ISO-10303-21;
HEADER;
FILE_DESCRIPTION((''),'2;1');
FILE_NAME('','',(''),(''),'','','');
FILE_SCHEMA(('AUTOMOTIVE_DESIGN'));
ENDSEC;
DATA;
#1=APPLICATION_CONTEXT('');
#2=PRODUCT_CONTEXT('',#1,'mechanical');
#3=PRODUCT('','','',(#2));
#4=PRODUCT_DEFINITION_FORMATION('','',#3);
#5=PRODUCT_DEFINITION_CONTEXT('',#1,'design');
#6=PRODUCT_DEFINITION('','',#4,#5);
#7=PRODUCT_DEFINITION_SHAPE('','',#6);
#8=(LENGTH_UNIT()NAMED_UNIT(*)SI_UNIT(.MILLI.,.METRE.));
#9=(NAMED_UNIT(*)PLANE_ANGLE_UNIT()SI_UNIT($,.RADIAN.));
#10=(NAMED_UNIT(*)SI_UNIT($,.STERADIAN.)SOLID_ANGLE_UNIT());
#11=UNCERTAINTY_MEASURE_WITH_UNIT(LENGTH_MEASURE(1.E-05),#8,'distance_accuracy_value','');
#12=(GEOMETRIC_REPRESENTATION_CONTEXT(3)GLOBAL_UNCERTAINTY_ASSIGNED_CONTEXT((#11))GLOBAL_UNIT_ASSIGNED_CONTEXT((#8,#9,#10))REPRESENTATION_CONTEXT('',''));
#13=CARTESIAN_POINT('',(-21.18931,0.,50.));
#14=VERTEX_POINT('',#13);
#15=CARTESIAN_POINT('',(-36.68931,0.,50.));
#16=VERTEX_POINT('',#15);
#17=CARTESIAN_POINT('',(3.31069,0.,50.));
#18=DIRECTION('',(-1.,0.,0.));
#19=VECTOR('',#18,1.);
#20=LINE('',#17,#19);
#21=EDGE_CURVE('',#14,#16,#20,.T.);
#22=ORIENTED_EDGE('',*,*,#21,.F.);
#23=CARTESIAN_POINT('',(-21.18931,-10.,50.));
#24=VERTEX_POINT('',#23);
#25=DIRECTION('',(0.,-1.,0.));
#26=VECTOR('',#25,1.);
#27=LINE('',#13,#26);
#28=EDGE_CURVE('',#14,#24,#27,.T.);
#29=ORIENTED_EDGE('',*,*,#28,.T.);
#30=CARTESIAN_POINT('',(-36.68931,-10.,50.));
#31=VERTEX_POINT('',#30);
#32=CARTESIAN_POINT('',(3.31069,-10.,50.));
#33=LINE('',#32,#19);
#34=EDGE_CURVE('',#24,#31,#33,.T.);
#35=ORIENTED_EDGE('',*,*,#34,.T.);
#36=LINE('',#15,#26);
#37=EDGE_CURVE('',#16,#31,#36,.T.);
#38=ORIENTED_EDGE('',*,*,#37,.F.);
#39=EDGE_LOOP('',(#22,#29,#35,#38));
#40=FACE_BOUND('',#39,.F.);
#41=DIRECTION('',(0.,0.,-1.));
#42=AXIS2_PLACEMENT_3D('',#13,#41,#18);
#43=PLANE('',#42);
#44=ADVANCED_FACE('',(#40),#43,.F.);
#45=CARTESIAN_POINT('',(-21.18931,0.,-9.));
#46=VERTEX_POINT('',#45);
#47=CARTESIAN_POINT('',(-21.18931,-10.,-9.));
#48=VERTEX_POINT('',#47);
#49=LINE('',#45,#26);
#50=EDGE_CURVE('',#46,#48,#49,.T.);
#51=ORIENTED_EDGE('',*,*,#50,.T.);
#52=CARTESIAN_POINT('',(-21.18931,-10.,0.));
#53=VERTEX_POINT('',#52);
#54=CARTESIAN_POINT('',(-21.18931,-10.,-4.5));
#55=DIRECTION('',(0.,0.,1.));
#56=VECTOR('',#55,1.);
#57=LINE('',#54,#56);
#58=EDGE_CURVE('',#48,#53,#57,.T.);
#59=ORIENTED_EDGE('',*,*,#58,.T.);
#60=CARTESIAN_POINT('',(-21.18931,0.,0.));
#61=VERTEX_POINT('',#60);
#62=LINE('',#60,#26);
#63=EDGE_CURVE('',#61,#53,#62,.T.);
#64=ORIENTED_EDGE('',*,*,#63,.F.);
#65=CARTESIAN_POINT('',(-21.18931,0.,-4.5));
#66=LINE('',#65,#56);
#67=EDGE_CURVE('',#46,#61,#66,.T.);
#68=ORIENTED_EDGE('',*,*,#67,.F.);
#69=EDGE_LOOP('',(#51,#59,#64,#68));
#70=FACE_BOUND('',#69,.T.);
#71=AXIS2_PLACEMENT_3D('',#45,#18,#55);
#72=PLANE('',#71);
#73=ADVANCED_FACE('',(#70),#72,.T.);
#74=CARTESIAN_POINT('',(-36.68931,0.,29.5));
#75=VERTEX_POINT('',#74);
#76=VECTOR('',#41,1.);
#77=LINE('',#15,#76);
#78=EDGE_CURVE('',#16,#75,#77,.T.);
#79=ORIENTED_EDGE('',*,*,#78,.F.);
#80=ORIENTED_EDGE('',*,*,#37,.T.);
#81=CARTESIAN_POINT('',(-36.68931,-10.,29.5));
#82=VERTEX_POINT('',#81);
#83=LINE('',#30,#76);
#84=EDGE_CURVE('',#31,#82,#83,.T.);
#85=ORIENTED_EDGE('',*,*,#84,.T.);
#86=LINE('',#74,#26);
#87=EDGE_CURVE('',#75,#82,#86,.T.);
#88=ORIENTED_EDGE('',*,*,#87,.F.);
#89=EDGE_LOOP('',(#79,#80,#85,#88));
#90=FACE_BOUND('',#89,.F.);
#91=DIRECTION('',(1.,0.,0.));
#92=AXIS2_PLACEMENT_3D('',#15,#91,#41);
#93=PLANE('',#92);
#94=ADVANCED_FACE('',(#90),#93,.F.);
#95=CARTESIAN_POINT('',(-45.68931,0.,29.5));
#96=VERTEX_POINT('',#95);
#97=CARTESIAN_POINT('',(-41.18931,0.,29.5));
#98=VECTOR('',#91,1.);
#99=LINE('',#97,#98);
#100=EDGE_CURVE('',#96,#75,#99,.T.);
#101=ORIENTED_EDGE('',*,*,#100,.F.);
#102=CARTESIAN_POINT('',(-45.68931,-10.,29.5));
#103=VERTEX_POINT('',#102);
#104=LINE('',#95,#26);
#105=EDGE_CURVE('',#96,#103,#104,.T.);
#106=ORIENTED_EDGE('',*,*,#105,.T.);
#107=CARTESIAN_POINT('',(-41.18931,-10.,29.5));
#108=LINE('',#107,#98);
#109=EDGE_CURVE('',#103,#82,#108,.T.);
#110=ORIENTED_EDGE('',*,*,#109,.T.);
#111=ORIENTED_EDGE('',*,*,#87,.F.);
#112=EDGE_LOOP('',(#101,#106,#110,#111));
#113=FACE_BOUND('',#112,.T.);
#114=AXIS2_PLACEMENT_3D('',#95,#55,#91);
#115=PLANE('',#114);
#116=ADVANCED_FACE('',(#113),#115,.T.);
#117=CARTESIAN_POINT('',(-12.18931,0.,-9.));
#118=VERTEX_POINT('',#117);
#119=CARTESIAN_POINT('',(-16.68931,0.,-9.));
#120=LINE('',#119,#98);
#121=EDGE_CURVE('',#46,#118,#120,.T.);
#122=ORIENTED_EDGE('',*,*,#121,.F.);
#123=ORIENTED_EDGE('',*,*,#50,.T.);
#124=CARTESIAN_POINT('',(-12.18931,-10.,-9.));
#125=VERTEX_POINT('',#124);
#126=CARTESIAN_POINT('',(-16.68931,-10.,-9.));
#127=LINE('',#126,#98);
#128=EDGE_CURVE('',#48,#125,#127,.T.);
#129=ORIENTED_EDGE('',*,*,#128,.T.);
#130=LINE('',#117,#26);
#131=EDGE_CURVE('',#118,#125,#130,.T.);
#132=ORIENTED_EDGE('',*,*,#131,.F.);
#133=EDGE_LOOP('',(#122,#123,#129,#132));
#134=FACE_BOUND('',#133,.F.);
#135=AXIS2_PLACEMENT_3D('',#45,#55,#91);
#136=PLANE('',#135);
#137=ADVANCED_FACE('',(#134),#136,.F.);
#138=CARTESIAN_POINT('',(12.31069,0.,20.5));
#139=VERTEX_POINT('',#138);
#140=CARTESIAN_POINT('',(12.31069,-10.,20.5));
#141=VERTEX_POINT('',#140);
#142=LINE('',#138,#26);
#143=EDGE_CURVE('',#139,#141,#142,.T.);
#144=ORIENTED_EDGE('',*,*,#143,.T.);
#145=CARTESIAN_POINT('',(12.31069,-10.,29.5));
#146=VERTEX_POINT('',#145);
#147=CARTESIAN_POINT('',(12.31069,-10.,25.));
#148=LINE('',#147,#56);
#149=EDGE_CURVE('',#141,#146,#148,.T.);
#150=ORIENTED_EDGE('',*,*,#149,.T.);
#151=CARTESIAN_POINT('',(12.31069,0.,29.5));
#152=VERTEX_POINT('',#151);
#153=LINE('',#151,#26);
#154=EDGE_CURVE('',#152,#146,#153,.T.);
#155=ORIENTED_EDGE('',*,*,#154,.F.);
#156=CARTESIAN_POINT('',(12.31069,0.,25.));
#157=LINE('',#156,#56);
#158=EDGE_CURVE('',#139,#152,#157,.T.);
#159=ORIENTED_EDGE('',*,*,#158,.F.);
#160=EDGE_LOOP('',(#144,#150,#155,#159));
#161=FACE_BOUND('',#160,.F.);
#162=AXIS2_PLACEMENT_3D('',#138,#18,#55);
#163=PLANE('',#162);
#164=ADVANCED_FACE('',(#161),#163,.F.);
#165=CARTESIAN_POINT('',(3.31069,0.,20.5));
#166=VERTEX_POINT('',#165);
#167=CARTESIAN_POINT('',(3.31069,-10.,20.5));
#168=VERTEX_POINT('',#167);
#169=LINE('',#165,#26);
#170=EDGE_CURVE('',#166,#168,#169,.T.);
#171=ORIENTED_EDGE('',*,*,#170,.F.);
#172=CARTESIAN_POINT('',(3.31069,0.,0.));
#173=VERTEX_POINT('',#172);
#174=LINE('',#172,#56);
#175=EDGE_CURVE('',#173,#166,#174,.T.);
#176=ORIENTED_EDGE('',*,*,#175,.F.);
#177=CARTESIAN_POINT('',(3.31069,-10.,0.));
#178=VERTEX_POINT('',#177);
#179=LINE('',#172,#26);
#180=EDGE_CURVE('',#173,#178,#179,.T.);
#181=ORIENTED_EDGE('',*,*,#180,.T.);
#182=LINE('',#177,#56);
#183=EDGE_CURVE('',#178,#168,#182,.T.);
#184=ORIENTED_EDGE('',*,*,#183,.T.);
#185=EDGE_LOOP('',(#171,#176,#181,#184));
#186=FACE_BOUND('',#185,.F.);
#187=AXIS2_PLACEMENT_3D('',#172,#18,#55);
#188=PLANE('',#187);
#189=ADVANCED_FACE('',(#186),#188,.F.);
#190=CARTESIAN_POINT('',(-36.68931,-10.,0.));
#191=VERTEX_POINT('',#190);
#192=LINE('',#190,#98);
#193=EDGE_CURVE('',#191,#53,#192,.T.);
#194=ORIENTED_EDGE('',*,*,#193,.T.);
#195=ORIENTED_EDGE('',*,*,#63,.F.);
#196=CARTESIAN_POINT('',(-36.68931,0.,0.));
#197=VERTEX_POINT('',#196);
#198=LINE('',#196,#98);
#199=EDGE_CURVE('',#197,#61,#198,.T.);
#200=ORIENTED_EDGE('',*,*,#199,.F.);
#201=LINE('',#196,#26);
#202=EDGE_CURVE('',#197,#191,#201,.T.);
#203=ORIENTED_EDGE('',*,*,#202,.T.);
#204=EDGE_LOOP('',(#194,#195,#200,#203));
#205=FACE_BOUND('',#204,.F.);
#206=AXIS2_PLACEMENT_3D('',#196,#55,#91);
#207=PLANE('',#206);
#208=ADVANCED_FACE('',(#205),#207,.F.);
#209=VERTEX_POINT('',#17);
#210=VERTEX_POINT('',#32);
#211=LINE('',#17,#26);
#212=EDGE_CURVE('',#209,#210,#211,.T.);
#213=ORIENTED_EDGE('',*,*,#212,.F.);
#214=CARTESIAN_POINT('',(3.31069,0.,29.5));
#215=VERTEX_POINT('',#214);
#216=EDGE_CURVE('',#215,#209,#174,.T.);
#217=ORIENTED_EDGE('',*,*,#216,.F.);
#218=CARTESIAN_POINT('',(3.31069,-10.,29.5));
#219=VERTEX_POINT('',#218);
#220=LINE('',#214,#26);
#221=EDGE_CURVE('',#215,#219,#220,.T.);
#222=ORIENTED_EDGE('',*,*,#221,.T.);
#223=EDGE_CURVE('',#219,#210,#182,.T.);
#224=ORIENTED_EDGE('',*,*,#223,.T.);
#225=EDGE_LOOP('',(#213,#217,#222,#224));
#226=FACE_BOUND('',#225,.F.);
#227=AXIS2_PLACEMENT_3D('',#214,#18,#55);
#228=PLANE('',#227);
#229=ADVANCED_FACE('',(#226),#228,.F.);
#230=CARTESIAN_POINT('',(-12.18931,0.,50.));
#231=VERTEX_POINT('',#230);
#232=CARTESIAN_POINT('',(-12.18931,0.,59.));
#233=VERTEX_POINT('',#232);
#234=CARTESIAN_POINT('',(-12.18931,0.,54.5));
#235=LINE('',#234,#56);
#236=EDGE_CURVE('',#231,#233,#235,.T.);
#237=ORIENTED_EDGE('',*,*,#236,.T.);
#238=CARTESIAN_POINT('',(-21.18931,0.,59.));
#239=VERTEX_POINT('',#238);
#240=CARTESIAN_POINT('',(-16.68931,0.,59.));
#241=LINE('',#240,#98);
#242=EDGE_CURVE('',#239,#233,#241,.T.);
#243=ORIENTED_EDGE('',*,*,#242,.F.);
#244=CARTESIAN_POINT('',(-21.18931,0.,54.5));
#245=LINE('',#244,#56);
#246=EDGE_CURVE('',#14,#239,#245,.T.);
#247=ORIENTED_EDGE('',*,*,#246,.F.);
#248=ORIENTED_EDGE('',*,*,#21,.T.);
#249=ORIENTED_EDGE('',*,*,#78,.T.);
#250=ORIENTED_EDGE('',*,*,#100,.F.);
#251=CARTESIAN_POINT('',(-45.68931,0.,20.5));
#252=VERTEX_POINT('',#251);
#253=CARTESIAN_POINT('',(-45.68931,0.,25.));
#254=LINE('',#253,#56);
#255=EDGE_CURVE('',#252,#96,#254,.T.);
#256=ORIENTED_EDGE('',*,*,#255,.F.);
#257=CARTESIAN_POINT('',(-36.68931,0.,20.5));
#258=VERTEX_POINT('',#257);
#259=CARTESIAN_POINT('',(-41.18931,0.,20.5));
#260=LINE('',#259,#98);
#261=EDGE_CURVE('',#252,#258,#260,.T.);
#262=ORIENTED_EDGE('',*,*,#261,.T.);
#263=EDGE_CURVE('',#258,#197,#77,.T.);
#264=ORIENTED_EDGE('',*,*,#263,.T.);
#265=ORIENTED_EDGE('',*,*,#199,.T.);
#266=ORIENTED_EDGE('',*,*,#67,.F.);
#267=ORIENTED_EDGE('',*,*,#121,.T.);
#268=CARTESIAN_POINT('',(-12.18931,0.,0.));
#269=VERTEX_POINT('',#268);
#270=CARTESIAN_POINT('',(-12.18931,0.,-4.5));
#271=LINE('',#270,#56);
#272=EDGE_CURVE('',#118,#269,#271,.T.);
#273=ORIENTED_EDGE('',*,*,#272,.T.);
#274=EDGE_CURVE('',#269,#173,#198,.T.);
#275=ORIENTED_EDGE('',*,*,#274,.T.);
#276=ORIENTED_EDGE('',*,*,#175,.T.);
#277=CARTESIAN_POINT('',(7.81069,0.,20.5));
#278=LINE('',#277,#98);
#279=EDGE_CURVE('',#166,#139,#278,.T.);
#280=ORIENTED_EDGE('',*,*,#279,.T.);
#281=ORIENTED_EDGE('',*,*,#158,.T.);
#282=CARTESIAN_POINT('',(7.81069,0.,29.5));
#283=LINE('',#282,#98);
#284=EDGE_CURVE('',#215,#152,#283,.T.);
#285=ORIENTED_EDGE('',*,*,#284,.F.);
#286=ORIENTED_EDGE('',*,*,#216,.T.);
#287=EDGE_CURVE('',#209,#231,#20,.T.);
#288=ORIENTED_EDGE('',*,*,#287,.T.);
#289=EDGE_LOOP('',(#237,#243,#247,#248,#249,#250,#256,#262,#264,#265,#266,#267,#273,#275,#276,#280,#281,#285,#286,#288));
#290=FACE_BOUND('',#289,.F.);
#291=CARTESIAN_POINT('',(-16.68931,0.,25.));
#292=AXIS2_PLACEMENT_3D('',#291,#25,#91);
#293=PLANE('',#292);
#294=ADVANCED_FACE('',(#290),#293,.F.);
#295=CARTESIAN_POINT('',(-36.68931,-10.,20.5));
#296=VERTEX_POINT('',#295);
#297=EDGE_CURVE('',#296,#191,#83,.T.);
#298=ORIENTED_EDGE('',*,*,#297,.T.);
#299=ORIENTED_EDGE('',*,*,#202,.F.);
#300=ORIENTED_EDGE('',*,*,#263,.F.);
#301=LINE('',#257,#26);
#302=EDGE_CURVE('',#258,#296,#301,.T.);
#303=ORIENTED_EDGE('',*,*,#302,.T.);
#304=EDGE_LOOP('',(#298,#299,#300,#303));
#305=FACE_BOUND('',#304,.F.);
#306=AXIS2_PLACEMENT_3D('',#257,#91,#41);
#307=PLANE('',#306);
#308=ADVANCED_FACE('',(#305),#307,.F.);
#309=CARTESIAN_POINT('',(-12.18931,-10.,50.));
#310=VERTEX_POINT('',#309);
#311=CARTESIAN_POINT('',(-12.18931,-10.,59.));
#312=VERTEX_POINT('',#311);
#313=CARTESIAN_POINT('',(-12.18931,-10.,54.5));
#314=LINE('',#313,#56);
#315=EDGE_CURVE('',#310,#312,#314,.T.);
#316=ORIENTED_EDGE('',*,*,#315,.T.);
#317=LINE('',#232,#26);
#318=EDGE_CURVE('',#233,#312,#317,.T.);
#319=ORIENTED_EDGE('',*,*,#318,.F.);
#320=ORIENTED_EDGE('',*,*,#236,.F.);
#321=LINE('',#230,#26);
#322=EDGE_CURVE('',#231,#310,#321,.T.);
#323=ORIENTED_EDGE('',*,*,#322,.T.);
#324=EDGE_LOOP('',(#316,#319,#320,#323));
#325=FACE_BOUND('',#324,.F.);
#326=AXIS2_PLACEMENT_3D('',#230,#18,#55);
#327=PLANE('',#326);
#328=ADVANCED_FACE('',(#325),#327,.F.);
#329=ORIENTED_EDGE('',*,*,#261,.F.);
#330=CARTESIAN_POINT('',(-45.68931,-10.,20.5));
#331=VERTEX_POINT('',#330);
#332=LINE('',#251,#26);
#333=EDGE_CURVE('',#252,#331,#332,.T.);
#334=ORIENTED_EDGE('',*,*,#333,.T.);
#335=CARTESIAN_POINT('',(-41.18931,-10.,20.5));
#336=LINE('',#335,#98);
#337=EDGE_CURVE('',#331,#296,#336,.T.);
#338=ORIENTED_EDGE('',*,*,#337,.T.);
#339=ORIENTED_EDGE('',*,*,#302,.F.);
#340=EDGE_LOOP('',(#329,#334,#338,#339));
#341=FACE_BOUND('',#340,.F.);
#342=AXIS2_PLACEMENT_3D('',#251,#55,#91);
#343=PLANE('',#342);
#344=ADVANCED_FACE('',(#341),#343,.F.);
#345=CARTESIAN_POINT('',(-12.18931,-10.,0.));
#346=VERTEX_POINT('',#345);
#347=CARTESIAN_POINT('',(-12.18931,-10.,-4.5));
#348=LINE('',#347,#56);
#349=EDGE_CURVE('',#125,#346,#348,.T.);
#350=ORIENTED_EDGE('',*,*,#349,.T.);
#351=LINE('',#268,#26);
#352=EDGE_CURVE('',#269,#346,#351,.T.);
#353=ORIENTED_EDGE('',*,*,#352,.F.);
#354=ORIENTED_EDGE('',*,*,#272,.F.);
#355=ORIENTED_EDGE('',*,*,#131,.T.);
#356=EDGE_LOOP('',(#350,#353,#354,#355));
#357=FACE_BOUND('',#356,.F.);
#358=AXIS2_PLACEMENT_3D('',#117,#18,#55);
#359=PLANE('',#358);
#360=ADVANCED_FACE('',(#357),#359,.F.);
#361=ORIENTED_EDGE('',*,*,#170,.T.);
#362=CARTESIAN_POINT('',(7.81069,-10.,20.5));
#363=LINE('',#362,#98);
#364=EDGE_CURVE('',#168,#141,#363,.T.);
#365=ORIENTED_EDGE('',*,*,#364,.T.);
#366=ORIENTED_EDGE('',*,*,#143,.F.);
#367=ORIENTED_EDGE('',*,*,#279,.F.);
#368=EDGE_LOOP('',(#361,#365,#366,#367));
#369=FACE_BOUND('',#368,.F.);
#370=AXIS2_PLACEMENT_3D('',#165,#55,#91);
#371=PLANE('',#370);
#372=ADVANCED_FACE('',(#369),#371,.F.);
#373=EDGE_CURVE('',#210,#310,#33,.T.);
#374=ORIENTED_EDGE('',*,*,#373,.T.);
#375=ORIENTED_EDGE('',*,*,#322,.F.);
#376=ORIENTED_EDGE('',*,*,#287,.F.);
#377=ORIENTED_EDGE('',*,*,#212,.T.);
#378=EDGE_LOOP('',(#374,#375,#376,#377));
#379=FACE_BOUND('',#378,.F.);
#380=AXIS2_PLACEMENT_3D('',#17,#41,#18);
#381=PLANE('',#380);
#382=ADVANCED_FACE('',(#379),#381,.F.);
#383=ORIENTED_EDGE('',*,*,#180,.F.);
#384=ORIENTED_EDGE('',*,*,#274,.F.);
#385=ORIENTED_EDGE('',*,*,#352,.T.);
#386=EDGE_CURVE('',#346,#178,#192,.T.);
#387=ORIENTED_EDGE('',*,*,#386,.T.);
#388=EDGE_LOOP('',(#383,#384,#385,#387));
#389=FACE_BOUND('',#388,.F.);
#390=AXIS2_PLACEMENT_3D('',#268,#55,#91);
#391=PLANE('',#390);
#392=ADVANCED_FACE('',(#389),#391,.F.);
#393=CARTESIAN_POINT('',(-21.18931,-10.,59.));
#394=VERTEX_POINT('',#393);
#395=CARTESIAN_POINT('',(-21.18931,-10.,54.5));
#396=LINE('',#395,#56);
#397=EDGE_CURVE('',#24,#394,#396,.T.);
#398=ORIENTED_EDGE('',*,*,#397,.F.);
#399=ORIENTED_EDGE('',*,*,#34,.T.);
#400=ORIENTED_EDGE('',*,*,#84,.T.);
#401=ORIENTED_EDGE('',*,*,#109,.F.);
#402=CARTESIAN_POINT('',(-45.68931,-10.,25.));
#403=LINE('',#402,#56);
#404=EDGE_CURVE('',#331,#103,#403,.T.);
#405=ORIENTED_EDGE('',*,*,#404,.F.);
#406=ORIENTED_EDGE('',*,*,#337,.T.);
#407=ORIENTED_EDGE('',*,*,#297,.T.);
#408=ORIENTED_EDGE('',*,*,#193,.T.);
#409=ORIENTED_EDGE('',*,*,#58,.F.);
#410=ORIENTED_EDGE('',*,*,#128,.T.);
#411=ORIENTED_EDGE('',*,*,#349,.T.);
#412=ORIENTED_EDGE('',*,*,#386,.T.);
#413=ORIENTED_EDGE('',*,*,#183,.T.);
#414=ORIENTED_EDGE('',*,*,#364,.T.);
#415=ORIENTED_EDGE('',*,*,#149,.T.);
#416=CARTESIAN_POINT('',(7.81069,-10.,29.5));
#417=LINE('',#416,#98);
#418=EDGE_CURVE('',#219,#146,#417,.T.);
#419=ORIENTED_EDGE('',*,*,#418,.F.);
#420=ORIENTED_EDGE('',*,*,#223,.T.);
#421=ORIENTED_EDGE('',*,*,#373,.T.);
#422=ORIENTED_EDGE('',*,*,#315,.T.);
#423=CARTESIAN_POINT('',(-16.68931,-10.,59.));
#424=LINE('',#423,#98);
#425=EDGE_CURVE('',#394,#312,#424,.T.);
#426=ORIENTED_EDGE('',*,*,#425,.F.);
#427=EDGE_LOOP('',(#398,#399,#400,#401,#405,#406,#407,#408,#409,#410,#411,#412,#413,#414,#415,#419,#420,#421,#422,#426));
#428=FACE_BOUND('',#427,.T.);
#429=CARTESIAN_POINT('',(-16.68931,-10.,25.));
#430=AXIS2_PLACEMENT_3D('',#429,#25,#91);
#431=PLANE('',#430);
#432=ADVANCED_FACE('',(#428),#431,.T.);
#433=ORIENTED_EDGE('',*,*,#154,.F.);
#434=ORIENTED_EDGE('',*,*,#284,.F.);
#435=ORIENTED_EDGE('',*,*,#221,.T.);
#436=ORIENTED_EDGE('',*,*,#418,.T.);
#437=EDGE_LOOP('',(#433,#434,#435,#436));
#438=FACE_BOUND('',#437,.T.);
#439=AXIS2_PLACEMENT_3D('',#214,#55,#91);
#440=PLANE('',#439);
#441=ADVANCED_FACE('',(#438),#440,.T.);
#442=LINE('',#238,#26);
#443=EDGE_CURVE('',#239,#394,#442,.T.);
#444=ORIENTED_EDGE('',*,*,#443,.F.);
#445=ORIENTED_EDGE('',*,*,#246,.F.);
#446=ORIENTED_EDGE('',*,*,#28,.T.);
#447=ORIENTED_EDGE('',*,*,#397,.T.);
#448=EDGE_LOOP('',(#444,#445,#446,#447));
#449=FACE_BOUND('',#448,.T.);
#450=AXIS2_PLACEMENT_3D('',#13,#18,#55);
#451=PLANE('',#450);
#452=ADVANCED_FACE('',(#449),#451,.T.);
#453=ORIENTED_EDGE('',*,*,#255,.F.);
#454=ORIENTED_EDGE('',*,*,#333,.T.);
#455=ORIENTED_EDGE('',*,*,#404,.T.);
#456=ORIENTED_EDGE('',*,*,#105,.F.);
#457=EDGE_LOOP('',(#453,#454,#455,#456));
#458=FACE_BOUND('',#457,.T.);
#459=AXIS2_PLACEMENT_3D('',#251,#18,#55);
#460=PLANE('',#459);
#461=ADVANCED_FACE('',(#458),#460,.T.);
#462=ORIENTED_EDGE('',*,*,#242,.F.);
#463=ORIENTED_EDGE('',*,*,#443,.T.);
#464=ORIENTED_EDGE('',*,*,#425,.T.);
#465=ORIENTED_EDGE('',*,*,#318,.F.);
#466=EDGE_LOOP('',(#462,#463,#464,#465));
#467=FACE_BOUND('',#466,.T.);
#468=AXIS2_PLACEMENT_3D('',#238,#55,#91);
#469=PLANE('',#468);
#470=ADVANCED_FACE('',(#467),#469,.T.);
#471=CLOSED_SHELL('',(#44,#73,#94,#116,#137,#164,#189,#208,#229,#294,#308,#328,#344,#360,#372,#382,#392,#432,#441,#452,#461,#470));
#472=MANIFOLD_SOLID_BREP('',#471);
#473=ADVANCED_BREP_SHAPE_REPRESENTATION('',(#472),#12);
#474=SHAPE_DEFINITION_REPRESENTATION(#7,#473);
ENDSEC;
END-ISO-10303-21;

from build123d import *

# Parameters (mm, degrees)
F0_W     = 9
F0_H     = 9
F1_DEPTH = 10


with BuildPart() as f1:
    # F0 (on Front) → F1 (new body)
    with BuildSketch(Plane.XZ):
        Polygon((-21.18931, 50), (-36.68931, 50), (-36.68931, 29.5), (-36.68931, 20.5), (-36.68931, 0), (-21.18931, 0), (-12.18931, 0), (3.31069, 0), (3.31069, 20.5), (3.31069, 29.5), (3.31069, 50), (-12.18931, 50), align=None)
        with Locations((-16.68931, 54.5)):
            Rectangle(F0_W, F0_H)
        with Locations((-41.18931, 25)):
            Rectangle(F0_W, F0_H)
        with Locations((7.81069, 25)):
            Rectangle(F0_W, F0_H)
        with Locations((-16.68931, -4.5)):
            Rectangle(F0_W, F0_H)
    extrude(amount=F1_DEPTH)


solid = f1.part
